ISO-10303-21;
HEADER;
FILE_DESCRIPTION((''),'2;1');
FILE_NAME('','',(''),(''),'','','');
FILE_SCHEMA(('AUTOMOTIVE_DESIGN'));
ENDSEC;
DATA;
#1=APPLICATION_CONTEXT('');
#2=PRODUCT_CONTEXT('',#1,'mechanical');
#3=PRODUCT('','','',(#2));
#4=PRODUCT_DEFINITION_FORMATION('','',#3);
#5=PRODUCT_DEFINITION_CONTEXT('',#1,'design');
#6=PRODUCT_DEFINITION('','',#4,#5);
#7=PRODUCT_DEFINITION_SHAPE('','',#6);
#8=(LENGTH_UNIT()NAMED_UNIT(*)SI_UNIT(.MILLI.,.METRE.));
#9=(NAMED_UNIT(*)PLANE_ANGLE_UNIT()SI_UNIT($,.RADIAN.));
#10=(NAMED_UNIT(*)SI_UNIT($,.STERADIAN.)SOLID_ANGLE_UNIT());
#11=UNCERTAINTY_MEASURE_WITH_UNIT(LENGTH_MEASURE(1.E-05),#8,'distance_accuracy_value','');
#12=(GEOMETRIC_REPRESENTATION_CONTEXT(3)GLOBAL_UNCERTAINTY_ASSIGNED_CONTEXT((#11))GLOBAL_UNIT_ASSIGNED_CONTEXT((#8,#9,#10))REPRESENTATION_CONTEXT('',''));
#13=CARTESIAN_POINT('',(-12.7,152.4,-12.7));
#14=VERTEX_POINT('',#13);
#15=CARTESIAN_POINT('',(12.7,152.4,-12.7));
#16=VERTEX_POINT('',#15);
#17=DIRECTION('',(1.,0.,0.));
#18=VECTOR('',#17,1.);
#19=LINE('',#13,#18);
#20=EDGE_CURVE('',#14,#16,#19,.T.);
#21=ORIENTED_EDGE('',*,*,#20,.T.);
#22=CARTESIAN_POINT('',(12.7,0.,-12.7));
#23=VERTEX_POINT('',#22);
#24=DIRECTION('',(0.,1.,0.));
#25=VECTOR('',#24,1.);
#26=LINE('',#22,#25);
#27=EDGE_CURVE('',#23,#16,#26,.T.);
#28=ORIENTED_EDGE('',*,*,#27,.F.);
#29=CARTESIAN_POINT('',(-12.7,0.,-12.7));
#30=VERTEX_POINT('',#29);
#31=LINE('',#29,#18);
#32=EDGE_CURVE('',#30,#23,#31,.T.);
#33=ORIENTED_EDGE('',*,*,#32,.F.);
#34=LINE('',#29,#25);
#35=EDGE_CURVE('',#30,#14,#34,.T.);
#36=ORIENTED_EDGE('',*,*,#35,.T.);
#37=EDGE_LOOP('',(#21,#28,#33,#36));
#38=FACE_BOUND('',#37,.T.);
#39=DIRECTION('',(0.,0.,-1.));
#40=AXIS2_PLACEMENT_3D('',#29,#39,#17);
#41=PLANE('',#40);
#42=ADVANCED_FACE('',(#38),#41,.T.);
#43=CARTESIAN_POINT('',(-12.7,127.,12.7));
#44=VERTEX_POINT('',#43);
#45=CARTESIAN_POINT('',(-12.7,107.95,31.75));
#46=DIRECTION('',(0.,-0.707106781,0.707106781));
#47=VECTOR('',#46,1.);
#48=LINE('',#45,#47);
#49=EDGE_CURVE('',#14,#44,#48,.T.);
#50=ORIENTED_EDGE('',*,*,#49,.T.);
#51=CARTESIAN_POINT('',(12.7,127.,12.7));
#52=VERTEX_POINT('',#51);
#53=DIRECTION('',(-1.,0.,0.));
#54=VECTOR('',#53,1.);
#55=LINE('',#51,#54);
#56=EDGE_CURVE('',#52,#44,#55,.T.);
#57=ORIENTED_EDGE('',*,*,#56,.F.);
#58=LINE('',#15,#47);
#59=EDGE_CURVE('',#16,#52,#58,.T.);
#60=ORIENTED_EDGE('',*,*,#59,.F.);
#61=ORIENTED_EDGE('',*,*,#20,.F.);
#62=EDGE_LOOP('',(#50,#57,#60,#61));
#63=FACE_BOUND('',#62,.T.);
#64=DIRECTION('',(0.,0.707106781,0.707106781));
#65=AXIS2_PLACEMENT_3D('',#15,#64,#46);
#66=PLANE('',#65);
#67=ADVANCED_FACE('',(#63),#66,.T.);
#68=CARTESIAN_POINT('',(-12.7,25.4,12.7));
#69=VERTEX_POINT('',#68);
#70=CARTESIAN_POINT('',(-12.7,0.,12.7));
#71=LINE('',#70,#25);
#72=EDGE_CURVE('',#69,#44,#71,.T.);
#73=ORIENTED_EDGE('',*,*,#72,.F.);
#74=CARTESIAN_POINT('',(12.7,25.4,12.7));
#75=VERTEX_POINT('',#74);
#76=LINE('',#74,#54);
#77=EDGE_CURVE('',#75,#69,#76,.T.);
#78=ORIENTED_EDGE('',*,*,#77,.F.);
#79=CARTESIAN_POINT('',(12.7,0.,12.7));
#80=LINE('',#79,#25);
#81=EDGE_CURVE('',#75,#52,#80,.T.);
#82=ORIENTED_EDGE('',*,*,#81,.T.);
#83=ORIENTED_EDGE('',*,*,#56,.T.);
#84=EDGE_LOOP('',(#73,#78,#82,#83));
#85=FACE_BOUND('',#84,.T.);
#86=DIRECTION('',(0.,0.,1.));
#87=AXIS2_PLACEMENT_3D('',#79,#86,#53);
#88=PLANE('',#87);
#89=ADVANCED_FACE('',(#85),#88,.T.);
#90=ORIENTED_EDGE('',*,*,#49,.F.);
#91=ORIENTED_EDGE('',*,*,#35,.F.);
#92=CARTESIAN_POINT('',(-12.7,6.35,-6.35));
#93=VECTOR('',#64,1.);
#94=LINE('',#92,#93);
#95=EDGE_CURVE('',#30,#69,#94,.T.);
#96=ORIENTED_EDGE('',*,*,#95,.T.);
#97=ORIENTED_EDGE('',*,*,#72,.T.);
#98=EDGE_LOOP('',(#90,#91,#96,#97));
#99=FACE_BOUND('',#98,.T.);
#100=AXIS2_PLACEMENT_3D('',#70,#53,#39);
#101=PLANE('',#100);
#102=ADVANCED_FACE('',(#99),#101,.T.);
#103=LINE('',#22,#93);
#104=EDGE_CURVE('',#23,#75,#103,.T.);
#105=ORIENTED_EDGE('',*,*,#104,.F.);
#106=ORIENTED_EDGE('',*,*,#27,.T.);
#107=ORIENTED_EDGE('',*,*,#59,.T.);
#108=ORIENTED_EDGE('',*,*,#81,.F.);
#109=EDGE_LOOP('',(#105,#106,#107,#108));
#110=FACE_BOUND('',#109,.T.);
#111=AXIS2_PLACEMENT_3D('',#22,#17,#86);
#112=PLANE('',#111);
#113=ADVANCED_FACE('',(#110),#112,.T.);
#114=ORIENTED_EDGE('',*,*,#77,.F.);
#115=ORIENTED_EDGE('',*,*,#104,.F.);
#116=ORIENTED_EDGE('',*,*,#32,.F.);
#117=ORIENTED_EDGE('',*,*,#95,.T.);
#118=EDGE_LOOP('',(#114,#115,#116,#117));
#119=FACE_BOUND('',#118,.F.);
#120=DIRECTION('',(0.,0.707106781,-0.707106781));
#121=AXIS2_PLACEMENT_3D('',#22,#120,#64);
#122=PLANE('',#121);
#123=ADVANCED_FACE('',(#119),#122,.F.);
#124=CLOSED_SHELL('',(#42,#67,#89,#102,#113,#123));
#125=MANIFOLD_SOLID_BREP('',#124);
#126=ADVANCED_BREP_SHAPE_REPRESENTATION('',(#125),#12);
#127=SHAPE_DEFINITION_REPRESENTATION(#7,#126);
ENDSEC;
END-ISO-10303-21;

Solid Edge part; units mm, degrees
sketch "Sketch1" plane through (0, 0, 0) normal (0, -1, 0) x (1, 0, 0)
  line L0 (12.7, -12.7) -> (12.7, 12.7)
  line L1 (12.7, 12.7) -> (-12.7, 12.7)
  line L2 (-12.7, 12.7) -> (-12.7, -12.7)
  line L3 (-12.7, -12.7) -> (12.7, -12.7)
extrude "Protrusion1" add sketch "Sketch1" against normal blind 152.4
sketch "Sketch2" plane through (12.7, 76.2, 0) normal (1, 0, 0) x (0, 1, 0)
  line L0 (-76.2, -12.7) -> (-50.8, 12.7)
  line L1 (-50.8, 12.7) -> (-76.2, 12.7)
  line L2 (-76.2, 12.7) -> (-76.2, -12.7)
  line L3 (76.2, -12.7) -> (50.8, 12.7)
  line L4 (50.8, 12.7) -> (76.2, 12.7)
  line L5 (76.2, 12.7) -> (76.2, -12.7)
extrude "Cutout1" cut sketch "Sketch2" against normal up to next
